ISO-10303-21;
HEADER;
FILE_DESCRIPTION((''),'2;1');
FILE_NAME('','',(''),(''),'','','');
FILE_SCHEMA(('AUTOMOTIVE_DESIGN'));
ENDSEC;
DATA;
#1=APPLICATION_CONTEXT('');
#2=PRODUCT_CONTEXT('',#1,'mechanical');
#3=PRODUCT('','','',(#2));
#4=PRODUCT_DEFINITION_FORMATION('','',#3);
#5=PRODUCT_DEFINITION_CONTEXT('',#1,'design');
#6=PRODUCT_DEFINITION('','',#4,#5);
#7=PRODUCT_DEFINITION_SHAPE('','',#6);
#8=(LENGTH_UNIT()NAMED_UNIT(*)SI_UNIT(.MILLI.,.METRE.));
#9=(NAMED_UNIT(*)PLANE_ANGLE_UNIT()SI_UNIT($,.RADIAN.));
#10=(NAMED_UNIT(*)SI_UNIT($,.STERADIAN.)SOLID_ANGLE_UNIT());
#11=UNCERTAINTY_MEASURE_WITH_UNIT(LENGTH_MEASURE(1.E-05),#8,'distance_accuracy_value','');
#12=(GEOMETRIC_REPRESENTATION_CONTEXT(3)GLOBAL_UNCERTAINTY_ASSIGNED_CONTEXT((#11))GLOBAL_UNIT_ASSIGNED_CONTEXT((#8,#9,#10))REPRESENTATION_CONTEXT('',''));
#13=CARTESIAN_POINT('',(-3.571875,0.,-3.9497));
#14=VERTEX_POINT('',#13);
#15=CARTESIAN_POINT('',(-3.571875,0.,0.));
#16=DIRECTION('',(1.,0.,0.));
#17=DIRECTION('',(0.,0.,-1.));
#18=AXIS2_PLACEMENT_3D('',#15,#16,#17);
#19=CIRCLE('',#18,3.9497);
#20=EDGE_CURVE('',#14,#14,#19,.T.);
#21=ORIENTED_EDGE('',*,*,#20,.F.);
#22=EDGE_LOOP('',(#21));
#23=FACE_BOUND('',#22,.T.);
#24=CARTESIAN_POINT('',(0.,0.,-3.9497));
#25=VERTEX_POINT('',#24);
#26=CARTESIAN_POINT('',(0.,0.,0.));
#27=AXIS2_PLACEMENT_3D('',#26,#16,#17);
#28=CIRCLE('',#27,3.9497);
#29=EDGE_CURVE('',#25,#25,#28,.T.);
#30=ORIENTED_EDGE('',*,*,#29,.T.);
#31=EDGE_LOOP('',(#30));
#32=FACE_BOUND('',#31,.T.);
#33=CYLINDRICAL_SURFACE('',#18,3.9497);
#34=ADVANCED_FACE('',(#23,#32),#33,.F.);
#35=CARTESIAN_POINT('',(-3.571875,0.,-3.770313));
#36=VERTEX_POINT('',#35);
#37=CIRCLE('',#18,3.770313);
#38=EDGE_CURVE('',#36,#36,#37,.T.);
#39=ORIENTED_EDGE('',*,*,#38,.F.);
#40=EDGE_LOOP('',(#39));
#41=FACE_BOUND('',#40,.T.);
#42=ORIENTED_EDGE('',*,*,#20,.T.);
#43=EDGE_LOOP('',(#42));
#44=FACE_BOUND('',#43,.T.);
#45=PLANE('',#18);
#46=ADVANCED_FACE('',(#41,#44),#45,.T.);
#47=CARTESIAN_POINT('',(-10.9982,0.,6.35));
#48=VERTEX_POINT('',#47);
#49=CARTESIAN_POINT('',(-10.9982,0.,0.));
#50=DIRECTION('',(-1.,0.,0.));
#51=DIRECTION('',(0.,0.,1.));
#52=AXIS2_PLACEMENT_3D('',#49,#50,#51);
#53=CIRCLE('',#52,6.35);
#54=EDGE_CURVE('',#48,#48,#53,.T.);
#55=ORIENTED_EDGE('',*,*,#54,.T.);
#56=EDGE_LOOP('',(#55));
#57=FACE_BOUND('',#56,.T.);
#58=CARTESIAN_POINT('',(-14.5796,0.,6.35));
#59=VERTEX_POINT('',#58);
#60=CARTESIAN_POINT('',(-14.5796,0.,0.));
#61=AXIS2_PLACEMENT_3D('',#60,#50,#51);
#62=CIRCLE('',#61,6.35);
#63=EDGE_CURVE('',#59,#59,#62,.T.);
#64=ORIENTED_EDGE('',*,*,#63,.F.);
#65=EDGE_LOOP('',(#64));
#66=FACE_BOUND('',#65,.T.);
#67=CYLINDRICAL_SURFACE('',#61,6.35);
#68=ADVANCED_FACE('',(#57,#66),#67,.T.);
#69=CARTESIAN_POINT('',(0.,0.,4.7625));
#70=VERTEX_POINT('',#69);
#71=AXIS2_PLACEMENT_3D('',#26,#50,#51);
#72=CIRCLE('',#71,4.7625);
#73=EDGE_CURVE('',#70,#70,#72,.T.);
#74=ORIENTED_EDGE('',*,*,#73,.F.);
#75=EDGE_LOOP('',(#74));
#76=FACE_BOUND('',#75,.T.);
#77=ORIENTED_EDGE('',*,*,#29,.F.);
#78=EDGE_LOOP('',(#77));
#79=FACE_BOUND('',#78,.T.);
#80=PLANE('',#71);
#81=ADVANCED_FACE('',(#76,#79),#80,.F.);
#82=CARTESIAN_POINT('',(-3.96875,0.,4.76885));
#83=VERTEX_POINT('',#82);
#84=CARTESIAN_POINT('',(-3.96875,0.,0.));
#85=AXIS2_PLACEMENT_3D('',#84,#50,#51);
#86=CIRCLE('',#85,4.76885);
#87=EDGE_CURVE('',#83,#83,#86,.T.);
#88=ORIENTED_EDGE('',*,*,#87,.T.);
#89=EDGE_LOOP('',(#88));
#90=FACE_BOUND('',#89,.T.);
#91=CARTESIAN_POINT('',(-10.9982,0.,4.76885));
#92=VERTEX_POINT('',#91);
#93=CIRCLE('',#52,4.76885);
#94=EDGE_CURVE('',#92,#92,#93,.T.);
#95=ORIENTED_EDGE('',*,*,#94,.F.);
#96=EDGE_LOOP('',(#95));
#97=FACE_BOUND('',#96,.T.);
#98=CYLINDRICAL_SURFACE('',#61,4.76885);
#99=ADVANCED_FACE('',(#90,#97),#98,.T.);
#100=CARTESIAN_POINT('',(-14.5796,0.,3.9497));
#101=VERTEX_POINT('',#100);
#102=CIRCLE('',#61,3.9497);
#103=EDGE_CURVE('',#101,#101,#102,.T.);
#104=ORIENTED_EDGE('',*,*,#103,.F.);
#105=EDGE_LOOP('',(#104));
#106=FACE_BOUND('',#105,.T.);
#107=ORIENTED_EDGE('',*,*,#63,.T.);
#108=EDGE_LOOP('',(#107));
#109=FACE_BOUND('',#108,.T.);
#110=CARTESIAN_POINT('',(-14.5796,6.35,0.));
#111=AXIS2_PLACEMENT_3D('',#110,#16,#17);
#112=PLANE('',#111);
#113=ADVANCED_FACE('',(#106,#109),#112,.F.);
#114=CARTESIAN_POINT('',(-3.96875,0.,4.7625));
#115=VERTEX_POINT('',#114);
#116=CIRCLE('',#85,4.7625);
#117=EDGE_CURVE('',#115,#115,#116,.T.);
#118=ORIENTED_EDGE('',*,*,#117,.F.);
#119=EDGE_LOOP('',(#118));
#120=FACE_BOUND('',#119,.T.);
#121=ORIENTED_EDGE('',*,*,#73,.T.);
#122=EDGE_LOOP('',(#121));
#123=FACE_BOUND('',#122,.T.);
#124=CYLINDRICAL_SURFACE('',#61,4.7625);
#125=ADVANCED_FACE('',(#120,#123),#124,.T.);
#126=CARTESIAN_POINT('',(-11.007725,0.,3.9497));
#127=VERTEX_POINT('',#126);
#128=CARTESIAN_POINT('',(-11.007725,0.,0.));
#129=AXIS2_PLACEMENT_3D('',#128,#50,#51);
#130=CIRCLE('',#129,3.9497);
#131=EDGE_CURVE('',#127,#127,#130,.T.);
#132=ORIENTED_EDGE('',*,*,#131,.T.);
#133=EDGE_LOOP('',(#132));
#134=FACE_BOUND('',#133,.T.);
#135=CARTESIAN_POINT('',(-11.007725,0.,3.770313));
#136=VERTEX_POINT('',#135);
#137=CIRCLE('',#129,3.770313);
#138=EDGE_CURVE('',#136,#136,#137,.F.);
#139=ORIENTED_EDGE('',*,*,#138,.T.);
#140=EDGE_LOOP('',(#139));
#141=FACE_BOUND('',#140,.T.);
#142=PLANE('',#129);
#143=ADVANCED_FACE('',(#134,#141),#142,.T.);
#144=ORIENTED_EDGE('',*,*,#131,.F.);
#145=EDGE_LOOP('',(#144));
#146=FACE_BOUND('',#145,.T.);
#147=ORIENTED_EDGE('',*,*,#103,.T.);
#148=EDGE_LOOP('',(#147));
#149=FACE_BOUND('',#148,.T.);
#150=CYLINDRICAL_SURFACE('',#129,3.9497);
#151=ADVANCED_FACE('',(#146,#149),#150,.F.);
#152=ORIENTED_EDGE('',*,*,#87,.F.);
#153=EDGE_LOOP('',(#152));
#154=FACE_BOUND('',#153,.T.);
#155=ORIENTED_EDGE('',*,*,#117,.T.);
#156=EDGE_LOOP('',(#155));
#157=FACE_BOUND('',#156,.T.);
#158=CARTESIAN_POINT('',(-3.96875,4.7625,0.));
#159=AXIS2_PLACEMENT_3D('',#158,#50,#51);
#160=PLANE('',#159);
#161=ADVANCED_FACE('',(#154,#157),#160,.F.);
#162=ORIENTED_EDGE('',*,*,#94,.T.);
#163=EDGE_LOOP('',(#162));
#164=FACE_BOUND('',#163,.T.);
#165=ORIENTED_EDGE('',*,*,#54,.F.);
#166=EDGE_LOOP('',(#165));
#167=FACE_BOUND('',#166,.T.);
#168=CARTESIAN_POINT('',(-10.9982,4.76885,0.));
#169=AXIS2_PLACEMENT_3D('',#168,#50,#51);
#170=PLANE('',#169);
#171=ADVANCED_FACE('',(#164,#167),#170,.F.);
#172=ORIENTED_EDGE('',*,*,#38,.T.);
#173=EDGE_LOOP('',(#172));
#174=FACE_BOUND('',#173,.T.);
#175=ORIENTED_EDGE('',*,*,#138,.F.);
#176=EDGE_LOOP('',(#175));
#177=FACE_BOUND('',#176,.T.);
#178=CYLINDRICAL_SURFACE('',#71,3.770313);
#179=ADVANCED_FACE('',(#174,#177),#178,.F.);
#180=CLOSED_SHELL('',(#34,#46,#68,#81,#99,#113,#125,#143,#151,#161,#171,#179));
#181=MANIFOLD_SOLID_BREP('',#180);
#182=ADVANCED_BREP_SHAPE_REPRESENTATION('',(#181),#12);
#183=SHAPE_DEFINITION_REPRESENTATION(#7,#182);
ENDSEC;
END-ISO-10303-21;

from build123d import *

# Parameters (mm, degrees)
SKETCH2_R          = 3.9497
CUT_EXTRUDE1_DEPTH = 3.571875
SKETCH3_R          = 3.7703125
CUT_EXTRUDE2_DEPTH = 18.123368131
CUT_EXTRUDE3_START = -3.571875
SKETCH4_R          = 3.9497
CUT_EXTRUDE3_DEPTH = 3.571875


with BuildPart() as part:
    # Sketch1 → Revolve1 (revolve)
    with BuildSketch(Plane.XY, mode=Mode.PRIVATE) as revolve1_sk:
        Polygon((0, 0), (0, 4.7625), (-3.96875, 4.7625), (-3.96875, 4.76885), (-10.9982, 4.76885), (-10.9982, 6.35), (-14.5796, 6.35), (-14.5796, 0), align=None)
    revolve(revolve1_sk.sketch.rotate(Axis((-14.5796, 0, 0), (1, 0, 0)), 90), axis=Axis((-14.5796, 0, 0), (1, 0, 0)))

    # Sketch2 → Cut-Extrude1 (cut)
    with BuildSketch(Plane(origin=(0, 0, 0), x_dir=(0, 0, -1), z_dir=(1, 0, 0))):
        Circle(SKETCH2_R)
    extrude(amount=-CUT_EXTRUDE1_DEPTH, mode=Mode.SUBTRACT)

    # Sketch3 → Cut-Extrude2 (cut, through all)
    with BuildSketch(Plane.ZY.offset(14.5796)):
        Circle(SKETCH3_R)
    extrude(amount=-CUT_EXTRUDE2_DEPTH, mode=Mode.SUBTRACT)

    # Sketch4 → Cut-Extrude3 (cut)
    with BuildSketch(Plane.ZY.offset(14.5796).offset(CUT_EXTRUDE3_START)):
        with Locations(Location((0, 0, 0), (0, 0, 180))):
            Circle(SKETCH4_R)
    extrude(amount=CUT_EXTRUDE3_DEPTH, mode=Mode.SUBTRACT)


solid = part.part
